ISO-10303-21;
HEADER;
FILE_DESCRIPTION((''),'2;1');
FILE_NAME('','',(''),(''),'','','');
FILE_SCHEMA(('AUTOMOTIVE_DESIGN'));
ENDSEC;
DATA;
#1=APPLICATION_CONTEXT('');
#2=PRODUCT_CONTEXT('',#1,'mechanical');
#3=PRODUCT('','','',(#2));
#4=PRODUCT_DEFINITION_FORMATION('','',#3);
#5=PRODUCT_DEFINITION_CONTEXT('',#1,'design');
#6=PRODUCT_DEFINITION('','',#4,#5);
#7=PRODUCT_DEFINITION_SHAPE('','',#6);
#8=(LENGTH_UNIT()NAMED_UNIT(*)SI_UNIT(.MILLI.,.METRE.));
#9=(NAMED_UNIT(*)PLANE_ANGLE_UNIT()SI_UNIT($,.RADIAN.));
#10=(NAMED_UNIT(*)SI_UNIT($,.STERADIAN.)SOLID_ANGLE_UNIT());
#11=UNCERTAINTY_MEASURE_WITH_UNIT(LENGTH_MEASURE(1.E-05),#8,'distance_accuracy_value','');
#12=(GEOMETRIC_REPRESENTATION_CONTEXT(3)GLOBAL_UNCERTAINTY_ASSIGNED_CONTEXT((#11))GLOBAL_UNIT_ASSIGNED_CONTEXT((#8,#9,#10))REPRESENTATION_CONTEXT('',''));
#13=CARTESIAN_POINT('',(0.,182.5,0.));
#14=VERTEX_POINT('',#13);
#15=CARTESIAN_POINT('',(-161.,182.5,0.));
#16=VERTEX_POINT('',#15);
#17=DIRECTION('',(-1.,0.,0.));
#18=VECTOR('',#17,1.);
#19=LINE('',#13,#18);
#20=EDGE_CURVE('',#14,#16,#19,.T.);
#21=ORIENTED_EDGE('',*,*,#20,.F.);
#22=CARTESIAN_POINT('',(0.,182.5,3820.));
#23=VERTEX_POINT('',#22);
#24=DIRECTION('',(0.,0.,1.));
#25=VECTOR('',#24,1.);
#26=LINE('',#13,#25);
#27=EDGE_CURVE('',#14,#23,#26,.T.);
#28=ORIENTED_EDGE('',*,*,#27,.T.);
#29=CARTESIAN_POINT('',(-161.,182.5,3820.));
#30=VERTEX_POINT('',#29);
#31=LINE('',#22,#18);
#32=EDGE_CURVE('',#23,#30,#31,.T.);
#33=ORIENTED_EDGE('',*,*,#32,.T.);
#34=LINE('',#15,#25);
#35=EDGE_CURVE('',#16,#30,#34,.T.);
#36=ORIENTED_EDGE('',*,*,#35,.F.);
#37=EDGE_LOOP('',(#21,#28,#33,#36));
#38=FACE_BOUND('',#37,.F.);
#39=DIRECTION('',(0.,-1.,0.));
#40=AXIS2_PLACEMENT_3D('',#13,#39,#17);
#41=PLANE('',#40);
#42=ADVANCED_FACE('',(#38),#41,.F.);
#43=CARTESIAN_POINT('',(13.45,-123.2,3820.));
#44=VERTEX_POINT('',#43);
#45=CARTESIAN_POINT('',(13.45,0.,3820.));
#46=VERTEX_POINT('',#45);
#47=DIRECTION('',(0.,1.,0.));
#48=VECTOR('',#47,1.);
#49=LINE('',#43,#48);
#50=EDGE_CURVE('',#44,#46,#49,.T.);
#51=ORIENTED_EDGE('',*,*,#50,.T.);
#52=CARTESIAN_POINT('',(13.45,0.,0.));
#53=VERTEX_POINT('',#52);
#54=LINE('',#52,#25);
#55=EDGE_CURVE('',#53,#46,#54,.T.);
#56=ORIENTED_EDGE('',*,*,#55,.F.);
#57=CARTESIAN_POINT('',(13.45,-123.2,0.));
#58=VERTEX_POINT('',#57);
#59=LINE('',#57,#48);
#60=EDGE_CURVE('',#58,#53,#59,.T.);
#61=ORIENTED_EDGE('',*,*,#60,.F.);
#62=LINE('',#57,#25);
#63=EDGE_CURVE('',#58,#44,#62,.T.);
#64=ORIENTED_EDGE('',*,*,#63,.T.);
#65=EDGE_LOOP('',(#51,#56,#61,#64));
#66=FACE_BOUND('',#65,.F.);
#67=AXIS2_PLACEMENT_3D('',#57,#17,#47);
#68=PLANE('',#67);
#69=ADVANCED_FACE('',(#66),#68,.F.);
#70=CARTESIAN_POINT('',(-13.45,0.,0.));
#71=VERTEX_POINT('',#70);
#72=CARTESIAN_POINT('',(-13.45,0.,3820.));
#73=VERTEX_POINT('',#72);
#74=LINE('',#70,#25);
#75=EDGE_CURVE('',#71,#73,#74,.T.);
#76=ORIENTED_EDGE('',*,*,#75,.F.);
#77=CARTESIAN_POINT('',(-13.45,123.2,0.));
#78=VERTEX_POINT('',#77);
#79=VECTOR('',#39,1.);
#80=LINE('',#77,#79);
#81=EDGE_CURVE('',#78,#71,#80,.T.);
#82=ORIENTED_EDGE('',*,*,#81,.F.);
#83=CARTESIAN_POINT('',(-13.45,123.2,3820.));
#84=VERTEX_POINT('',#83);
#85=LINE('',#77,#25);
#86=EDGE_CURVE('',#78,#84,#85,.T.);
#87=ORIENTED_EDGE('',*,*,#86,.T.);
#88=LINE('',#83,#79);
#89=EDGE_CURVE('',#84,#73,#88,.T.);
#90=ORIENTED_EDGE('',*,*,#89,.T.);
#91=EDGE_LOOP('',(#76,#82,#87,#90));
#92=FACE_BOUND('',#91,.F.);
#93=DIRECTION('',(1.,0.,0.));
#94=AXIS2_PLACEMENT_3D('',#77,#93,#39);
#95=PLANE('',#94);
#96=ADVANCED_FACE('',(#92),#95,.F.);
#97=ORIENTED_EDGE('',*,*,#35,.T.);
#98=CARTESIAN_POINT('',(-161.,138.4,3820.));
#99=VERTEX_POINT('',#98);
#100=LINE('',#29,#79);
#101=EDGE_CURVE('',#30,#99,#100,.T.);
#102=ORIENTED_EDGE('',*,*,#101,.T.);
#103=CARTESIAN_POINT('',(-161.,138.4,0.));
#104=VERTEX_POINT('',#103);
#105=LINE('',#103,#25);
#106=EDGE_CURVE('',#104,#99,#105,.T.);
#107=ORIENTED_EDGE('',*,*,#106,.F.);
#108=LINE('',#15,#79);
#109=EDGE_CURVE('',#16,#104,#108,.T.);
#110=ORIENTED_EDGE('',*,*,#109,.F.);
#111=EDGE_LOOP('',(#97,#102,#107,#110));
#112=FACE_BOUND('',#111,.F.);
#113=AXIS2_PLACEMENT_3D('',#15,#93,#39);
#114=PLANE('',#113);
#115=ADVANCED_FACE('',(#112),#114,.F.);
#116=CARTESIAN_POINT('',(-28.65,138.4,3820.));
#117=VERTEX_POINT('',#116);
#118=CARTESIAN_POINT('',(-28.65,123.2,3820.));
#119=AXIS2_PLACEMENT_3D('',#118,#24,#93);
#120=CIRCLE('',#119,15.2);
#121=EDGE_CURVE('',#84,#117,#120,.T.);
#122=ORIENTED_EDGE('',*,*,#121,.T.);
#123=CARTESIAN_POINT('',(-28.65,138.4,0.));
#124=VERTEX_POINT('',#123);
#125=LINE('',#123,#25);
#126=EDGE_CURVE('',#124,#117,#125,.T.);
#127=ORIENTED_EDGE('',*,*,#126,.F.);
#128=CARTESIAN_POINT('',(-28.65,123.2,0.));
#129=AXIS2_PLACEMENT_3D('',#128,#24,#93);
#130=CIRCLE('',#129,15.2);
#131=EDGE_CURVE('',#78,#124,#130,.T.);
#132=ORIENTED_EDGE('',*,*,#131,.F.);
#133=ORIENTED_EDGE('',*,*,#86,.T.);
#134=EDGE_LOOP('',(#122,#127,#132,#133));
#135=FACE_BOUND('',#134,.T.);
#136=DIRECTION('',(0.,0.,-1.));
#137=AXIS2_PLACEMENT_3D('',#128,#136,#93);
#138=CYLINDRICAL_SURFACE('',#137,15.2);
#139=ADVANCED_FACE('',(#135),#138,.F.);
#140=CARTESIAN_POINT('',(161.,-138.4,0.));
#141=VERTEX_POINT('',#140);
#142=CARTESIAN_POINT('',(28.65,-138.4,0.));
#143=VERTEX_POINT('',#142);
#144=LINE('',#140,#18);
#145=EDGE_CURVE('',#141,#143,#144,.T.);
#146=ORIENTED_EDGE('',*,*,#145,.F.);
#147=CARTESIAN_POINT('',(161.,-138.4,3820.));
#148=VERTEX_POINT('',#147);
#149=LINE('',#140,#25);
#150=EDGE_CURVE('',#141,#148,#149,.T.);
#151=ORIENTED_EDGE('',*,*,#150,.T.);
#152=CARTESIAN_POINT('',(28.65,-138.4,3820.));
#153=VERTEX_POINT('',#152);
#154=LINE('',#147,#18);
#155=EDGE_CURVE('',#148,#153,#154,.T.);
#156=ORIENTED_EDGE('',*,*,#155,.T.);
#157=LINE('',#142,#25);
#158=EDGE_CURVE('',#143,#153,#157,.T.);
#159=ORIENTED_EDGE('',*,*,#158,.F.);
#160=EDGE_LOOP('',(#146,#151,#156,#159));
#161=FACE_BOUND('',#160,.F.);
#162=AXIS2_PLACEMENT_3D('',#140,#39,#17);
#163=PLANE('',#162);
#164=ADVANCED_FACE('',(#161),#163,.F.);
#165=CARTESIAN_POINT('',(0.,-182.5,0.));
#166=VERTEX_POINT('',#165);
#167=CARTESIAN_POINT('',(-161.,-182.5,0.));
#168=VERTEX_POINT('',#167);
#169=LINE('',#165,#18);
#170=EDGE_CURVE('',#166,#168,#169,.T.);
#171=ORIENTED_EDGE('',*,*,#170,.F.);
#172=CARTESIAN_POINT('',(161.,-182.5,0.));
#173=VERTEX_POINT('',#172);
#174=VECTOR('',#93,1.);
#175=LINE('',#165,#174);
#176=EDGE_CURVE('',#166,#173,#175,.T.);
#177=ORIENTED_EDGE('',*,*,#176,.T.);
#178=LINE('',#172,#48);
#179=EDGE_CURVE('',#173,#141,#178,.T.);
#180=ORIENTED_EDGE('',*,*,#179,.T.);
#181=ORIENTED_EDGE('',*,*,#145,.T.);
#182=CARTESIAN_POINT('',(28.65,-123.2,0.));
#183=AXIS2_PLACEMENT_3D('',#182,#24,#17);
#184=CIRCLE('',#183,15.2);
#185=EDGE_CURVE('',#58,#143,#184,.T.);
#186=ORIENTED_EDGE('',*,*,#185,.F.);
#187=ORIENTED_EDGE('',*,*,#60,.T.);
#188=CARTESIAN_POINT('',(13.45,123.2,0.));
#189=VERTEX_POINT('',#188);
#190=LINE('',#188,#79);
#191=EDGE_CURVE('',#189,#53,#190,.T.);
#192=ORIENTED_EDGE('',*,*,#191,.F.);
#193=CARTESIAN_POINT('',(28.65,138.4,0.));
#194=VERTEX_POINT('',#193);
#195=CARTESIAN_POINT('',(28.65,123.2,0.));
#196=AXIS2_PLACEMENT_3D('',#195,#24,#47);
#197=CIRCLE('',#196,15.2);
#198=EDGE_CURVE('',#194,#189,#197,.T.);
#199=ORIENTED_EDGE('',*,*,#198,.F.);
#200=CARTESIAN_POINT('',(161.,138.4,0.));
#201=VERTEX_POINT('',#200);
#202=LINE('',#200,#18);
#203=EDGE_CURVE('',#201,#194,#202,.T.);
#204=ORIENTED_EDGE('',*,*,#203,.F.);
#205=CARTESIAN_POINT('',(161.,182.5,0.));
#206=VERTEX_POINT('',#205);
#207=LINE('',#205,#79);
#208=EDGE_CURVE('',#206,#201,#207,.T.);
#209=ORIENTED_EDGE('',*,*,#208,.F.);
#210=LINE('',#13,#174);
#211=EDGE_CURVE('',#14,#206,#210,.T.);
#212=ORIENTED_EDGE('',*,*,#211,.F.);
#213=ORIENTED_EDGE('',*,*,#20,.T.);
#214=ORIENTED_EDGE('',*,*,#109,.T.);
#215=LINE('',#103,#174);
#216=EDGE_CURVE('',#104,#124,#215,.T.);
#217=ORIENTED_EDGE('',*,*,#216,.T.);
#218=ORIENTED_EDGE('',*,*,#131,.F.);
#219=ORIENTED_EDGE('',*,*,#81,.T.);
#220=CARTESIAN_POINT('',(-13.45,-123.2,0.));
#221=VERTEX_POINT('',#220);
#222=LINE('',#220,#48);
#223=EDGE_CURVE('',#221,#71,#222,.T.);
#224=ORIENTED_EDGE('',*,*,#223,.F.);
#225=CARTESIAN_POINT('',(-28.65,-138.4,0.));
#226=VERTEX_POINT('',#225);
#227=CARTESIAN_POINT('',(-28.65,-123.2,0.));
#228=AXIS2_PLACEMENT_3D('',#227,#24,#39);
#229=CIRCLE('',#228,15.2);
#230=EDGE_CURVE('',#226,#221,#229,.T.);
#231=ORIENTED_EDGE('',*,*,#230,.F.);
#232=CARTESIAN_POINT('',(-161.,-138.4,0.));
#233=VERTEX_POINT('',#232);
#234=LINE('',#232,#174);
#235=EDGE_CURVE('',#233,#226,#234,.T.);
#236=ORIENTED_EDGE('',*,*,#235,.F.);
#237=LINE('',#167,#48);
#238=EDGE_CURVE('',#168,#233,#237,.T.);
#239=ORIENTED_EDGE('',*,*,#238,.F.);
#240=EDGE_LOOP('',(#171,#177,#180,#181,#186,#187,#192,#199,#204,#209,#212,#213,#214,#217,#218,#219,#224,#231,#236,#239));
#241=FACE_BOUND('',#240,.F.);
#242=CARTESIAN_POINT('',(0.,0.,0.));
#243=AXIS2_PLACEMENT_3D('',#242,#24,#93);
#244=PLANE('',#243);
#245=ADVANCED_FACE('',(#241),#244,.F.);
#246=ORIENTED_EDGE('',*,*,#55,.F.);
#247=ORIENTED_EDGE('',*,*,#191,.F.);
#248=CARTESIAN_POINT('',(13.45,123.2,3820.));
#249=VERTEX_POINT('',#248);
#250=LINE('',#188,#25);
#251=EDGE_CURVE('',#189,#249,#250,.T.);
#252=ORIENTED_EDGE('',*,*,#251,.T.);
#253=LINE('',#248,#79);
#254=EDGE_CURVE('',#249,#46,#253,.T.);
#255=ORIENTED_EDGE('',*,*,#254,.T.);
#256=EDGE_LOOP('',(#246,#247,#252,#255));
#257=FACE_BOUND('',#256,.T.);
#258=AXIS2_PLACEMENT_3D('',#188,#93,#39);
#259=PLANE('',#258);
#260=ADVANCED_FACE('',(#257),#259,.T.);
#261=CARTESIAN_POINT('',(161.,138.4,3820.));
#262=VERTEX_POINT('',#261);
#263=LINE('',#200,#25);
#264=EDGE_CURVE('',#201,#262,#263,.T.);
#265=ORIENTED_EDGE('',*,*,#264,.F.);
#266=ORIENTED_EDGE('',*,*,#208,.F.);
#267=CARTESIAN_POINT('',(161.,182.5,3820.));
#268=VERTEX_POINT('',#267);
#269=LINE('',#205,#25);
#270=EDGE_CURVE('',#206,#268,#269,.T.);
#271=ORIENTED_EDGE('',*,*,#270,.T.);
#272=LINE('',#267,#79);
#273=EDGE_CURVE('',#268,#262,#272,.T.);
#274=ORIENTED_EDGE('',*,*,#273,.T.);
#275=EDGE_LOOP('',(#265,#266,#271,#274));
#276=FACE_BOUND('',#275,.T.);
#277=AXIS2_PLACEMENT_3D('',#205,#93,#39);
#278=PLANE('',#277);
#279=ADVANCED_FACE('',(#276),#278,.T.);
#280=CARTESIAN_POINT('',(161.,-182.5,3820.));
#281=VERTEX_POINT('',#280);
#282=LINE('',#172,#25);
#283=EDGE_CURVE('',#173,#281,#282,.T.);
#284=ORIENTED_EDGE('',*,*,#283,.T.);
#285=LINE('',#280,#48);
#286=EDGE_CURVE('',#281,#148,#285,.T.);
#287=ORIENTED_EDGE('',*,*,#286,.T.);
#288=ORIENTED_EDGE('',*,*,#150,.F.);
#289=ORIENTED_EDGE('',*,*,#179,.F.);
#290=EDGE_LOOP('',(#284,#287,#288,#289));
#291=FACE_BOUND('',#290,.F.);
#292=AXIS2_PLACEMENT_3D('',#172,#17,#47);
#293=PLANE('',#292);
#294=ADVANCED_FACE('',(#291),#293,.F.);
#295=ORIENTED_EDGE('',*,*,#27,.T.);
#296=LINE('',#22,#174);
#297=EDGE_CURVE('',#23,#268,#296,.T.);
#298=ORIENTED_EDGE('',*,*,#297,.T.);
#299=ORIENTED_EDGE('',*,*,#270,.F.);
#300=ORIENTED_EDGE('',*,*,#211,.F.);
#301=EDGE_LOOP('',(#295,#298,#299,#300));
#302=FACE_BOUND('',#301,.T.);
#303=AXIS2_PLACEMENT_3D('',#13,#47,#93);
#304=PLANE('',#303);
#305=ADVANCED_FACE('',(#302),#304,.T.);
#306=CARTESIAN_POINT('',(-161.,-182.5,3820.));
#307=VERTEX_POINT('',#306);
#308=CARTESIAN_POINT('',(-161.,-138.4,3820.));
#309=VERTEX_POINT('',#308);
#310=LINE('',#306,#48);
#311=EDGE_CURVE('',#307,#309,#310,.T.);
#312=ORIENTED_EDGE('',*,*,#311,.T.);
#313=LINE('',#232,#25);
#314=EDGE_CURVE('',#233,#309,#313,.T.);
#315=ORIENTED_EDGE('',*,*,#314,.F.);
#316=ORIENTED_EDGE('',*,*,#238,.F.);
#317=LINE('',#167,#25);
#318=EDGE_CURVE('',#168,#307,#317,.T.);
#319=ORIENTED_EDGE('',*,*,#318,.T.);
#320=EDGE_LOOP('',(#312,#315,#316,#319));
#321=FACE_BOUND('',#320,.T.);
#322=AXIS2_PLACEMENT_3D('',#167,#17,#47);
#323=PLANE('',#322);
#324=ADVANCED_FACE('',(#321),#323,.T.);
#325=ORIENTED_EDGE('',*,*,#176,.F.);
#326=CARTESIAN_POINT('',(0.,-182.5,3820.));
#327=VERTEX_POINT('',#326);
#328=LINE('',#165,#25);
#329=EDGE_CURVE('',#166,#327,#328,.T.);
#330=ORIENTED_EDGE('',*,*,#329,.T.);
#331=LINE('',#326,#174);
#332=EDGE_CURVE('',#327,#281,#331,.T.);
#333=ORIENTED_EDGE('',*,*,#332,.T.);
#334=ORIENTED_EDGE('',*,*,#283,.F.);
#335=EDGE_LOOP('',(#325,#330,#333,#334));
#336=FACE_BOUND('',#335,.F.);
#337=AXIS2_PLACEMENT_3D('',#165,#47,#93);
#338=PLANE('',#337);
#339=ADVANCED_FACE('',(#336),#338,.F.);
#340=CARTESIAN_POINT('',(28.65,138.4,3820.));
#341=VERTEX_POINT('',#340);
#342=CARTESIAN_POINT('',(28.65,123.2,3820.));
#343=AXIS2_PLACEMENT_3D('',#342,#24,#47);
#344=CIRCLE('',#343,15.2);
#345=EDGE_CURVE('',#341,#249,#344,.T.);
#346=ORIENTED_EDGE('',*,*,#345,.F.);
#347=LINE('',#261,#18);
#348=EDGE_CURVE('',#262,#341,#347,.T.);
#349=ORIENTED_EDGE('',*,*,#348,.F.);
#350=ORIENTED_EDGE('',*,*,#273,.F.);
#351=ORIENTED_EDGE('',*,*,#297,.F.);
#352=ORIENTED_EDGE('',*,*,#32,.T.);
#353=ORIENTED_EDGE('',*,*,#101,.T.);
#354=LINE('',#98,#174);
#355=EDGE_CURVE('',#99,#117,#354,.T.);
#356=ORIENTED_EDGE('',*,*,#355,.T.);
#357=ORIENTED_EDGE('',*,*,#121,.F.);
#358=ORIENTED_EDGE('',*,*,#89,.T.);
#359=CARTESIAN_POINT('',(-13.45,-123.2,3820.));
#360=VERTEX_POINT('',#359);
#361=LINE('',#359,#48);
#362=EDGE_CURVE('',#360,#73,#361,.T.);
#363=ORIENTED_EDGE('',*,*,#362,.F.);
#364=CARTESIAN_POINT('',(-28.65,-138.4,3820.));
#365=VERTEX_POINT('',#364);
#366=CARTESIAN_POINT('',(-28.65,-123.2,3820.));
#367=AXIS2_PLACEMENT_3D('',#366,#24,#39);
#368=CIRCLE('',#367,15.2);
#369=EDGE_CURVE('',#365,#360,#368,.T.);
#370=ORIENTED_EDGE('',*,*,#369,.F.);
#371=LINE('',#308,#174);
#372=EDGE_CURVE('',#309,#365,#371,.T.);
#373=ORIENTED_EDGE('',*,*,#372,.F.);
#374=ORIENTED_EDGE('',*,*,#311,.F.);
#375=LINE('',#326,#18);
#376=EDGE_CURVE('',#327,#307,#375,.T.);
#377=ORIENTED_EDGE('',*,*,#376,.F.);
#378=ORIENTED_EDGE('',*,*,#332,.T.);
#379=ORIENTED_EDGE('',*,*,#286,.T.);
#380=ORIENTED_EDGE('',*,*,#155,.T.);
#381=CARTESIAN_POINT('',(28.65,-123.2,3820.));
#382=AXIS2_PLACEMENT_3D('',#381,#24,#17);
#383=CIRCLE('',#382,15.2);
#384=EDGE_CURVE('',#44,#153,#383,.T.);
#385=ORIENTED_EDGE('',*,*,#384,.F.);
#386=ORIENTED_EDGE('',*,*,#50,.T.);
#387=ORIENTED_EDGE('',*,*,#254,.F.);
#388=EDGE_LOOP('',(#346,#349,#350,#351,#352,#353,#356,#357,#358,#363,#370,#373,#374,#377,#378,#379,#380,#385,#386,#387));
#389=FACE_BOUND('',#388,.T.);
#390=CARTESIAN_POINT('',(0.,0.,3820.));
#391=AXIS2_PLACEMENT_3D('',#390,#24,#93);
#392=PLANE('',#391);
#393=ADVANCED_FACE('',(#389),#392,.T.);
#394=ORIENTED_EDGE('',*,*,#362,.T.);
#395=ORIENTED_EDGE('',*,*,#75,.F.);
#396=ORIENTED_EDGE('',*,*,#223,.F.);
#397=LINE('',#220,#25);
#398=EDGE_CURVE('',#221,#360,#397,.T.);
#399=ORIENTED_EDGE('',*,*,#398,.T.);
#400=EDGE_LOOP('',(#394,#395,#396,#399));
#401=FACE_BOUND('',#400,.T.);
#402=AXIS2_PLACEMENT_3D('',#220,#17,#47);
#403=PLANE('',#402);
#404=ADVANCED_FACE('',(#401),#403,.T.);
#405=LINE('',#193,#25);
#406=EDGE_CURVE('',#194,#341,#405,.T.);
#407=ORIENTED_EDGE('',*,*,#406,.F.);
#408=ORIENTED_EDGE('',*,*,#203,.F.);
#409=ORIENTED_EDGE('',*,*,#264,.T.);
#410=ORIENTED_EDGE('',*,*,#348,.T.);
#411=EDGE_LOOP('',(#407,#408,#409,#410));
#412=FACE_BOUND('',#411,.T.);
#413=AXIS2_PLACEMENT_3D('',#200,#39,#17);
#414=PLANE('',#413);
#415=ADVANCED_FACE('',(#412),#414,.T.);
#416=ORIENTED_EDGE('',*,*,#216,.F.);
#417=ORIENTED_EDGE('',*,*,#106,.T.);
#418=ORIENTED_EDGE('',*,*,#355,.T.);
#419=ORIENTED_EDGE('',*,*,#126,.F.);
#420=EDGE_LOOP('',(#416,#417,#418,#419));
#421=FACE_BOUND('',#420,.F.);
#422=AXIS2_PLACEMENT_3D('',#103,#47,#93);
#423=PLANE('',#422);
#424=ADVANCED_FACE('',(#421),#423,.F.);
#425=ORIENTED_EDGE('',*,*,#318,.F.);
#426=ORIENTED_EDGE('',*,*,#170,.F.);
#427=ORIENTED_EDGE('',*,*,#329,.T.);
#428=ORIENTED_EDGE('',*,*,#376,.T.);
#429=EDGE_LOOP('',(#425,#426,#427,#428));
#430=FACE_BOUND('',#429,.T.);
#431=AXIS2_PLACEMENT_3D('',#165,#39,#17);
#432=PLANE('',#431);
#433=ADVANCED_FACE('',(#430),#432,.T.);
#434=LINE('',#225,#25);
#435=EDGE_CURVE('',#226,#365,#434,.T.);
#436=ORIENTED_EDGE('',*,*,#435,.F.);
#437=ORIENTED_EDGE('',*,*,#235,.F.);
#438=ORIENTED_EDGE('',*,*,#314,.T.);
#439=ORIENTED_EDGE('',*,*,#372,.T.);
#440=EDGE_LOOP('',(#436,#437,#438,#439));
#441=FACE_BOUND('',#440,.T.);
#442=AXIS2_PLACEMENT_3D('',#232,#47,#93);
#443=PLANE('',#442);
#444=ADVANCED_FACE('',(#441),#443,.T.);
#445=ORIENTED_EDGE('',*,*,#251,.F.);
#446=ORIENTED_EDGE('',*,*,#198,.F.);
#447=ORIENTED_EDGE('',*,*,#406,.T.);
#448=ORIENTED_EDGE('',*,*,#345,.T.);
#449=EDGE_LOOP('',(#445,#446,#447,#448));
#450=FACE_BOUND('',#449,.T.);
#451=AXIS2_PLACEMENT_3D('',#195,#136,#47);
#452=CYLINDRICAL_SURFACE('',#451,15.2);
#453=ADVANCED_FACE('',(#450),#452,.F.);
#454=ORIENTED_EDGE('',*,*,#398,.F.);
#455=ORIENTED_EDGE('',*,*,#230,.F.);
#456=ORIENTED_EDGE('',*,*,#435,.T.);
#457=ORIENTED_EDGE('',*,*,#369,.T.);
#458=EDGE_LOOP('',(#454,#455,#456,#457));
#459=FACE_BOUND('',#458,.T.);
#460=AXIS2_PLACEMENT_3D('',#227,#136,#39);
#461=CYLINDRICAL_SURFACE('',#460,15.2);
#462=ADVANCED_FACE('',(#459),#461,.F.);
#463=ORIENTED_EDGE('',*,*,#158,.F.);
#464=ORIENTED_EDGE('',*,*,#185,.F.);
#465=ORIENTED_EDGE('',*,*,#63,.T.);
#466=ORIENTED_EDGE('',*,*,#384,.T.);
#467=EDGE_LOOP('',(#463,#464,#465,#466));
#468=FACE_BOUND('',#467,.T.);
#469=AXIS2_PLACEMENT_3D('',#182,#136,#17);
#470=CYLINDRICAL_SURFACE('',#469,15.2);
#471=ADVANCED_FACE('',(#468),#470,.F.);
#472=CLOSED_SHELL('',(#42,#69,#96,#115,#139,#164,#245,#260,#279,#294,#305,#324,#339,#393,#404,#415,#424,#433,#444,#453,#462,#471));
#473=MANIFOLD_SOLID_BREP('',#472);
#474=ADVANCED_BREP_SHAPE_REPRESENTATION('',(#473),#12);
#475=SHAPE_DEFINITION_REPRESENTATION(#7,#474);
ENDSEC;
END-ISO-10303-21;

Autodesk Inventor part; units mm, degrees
ref_plane "YZ Plane" through (0, 0, 0) normal (1, 0, 0) x (0, 1, 0)
ref_plane "Start plane" through (0, 0, 0) normal (0, 0, 1) x (1, 0, 0)
ref_plane "End plane" through (0, 0, 3820) normal (0, 0, 1) x (1, 0, 0)
sketch "Sketch" plane through (0, 0, 0) normal (0, 0, 1) x (1, 0, 0)
  line L0 (-161, -182.5) -> (-161, -138.4)
  line L1 (-161, -138.4) -> (-28.65, -138.4)
  line L2 (-13.45, -123.2) -> (-13.45, 0)
  line L3 (-13.45, 0) -> (0, 0) construction
  line L4 (0, 0) -> (0, -182.5) construction
  line L5 (0, -182.5) -> (-161, -182.5)
  line L6 (-60, 0) -> (80, 0) construction
  line L7 (0, -60) -> (0, 80) construction
  line L8 (161, -182.5) -> (161, -138.4)
  line L9 (161, -138.4) -> (28.65, -138.4)
  line L10 (13.45, -123.2) -> (13.45, 0)
  line L11 (13.45, 0) -> (0, 0) construction
  line L12 (0, -182.5) -> (161, -182.5)
  line L13 (-161, 182.5) -> (-161, 138.4)
  line L14 (-161, 138.4) -> (-28.65, 138.4)
  line L15 (-13.45, 123.2) -> (-13.45, 0)
  line L16 (0, 182.5) -> (-161, 182.5)
  line L17 (161, 182.5) -> (161, 138.4)
  line L18 (161, 138.4) -> (28.65, 138.4)
  line L19 (0, 182.5) -> (161, 182.5)
  line L20 (13.45, 123.2) -> (13.45, 0)
  arc A0 (-13.45, 123.2) -> (-28.65, 138.4) centre (-28.65, 123.2) ccw
  arc A1 (28.65, 138.4) -> (13.45, 123.2) centre (28.65, 123.2) ccw
  arc A2 (13.45, -123.2) -> (28.65, -138.4) centre (28.65, -123.2) ccw
  arc A3 (-28.65, -138.4) -> (-13.45, -123.2) centre (-28.65, -123.2) ccw
  line L21 (0, 108) -> (0, -88) construction
  line L22 (-88, 0) -> (108, 0) construction
  point P0 (-13.45, -138.4)
  point P1 (13.45, -138.4)
  point P2 (-13.45, 138.4)
  point P3 (13.45, 138.4)
  dimension "d1" = 182.5
  dimension "d2" = 44.1
  dimension "d3" = 161
  dimension "d4" = 13.45
  dimension "d10" = 15.2
extrude "Body" add sketch "Sketch" along normal up to surface (3820 mm away) from surface at 0
sketch "Sketch4" plane through (0, 0, 0) normal (0, 0, 1) x (1, 0, 0)
  line L0 (0, 0) -> (10, 0)
ref_plane "Work Plane3" through (0, 0, 0) normal (0, -1, 0) x (1, 0, 0)
sketch "Sketch5" plane through (0, 0, 0) normal (0, -1, 0) x (1, 0, 0)
  line L0 (-2, 0) -> (12, 0) projected
  line L1 (-2, 3820) -> (12, 3820) projected
  dimension "d14" = 3820
equation "\"d1\" = 0.5 * G_H"
equation "\"d2\" = G_T1"
equation "\"d3\" = 0.5 * G_W"
equation "\"d4\" = 0.5 * G_T"
equation "\"d10\" = G_IR"
equation "\"d5\" = G_L"
equation "\"G_W\" = 322"
equation "\"G_H\" = 365"
equation "\"G_T\" = 26.9"
equation "\"G_T1\" = 44.1"
equation "\"G_IR\" = 15.2"
equation "\"G_L\" = d14"
equation "\"G_OFFSET_START\" = 0"
equation "\"G_OFFSET_END\" = 0"
properties part number "AS 3679 - 310 UC - 283 - 3820" material "Steel, Mild"
